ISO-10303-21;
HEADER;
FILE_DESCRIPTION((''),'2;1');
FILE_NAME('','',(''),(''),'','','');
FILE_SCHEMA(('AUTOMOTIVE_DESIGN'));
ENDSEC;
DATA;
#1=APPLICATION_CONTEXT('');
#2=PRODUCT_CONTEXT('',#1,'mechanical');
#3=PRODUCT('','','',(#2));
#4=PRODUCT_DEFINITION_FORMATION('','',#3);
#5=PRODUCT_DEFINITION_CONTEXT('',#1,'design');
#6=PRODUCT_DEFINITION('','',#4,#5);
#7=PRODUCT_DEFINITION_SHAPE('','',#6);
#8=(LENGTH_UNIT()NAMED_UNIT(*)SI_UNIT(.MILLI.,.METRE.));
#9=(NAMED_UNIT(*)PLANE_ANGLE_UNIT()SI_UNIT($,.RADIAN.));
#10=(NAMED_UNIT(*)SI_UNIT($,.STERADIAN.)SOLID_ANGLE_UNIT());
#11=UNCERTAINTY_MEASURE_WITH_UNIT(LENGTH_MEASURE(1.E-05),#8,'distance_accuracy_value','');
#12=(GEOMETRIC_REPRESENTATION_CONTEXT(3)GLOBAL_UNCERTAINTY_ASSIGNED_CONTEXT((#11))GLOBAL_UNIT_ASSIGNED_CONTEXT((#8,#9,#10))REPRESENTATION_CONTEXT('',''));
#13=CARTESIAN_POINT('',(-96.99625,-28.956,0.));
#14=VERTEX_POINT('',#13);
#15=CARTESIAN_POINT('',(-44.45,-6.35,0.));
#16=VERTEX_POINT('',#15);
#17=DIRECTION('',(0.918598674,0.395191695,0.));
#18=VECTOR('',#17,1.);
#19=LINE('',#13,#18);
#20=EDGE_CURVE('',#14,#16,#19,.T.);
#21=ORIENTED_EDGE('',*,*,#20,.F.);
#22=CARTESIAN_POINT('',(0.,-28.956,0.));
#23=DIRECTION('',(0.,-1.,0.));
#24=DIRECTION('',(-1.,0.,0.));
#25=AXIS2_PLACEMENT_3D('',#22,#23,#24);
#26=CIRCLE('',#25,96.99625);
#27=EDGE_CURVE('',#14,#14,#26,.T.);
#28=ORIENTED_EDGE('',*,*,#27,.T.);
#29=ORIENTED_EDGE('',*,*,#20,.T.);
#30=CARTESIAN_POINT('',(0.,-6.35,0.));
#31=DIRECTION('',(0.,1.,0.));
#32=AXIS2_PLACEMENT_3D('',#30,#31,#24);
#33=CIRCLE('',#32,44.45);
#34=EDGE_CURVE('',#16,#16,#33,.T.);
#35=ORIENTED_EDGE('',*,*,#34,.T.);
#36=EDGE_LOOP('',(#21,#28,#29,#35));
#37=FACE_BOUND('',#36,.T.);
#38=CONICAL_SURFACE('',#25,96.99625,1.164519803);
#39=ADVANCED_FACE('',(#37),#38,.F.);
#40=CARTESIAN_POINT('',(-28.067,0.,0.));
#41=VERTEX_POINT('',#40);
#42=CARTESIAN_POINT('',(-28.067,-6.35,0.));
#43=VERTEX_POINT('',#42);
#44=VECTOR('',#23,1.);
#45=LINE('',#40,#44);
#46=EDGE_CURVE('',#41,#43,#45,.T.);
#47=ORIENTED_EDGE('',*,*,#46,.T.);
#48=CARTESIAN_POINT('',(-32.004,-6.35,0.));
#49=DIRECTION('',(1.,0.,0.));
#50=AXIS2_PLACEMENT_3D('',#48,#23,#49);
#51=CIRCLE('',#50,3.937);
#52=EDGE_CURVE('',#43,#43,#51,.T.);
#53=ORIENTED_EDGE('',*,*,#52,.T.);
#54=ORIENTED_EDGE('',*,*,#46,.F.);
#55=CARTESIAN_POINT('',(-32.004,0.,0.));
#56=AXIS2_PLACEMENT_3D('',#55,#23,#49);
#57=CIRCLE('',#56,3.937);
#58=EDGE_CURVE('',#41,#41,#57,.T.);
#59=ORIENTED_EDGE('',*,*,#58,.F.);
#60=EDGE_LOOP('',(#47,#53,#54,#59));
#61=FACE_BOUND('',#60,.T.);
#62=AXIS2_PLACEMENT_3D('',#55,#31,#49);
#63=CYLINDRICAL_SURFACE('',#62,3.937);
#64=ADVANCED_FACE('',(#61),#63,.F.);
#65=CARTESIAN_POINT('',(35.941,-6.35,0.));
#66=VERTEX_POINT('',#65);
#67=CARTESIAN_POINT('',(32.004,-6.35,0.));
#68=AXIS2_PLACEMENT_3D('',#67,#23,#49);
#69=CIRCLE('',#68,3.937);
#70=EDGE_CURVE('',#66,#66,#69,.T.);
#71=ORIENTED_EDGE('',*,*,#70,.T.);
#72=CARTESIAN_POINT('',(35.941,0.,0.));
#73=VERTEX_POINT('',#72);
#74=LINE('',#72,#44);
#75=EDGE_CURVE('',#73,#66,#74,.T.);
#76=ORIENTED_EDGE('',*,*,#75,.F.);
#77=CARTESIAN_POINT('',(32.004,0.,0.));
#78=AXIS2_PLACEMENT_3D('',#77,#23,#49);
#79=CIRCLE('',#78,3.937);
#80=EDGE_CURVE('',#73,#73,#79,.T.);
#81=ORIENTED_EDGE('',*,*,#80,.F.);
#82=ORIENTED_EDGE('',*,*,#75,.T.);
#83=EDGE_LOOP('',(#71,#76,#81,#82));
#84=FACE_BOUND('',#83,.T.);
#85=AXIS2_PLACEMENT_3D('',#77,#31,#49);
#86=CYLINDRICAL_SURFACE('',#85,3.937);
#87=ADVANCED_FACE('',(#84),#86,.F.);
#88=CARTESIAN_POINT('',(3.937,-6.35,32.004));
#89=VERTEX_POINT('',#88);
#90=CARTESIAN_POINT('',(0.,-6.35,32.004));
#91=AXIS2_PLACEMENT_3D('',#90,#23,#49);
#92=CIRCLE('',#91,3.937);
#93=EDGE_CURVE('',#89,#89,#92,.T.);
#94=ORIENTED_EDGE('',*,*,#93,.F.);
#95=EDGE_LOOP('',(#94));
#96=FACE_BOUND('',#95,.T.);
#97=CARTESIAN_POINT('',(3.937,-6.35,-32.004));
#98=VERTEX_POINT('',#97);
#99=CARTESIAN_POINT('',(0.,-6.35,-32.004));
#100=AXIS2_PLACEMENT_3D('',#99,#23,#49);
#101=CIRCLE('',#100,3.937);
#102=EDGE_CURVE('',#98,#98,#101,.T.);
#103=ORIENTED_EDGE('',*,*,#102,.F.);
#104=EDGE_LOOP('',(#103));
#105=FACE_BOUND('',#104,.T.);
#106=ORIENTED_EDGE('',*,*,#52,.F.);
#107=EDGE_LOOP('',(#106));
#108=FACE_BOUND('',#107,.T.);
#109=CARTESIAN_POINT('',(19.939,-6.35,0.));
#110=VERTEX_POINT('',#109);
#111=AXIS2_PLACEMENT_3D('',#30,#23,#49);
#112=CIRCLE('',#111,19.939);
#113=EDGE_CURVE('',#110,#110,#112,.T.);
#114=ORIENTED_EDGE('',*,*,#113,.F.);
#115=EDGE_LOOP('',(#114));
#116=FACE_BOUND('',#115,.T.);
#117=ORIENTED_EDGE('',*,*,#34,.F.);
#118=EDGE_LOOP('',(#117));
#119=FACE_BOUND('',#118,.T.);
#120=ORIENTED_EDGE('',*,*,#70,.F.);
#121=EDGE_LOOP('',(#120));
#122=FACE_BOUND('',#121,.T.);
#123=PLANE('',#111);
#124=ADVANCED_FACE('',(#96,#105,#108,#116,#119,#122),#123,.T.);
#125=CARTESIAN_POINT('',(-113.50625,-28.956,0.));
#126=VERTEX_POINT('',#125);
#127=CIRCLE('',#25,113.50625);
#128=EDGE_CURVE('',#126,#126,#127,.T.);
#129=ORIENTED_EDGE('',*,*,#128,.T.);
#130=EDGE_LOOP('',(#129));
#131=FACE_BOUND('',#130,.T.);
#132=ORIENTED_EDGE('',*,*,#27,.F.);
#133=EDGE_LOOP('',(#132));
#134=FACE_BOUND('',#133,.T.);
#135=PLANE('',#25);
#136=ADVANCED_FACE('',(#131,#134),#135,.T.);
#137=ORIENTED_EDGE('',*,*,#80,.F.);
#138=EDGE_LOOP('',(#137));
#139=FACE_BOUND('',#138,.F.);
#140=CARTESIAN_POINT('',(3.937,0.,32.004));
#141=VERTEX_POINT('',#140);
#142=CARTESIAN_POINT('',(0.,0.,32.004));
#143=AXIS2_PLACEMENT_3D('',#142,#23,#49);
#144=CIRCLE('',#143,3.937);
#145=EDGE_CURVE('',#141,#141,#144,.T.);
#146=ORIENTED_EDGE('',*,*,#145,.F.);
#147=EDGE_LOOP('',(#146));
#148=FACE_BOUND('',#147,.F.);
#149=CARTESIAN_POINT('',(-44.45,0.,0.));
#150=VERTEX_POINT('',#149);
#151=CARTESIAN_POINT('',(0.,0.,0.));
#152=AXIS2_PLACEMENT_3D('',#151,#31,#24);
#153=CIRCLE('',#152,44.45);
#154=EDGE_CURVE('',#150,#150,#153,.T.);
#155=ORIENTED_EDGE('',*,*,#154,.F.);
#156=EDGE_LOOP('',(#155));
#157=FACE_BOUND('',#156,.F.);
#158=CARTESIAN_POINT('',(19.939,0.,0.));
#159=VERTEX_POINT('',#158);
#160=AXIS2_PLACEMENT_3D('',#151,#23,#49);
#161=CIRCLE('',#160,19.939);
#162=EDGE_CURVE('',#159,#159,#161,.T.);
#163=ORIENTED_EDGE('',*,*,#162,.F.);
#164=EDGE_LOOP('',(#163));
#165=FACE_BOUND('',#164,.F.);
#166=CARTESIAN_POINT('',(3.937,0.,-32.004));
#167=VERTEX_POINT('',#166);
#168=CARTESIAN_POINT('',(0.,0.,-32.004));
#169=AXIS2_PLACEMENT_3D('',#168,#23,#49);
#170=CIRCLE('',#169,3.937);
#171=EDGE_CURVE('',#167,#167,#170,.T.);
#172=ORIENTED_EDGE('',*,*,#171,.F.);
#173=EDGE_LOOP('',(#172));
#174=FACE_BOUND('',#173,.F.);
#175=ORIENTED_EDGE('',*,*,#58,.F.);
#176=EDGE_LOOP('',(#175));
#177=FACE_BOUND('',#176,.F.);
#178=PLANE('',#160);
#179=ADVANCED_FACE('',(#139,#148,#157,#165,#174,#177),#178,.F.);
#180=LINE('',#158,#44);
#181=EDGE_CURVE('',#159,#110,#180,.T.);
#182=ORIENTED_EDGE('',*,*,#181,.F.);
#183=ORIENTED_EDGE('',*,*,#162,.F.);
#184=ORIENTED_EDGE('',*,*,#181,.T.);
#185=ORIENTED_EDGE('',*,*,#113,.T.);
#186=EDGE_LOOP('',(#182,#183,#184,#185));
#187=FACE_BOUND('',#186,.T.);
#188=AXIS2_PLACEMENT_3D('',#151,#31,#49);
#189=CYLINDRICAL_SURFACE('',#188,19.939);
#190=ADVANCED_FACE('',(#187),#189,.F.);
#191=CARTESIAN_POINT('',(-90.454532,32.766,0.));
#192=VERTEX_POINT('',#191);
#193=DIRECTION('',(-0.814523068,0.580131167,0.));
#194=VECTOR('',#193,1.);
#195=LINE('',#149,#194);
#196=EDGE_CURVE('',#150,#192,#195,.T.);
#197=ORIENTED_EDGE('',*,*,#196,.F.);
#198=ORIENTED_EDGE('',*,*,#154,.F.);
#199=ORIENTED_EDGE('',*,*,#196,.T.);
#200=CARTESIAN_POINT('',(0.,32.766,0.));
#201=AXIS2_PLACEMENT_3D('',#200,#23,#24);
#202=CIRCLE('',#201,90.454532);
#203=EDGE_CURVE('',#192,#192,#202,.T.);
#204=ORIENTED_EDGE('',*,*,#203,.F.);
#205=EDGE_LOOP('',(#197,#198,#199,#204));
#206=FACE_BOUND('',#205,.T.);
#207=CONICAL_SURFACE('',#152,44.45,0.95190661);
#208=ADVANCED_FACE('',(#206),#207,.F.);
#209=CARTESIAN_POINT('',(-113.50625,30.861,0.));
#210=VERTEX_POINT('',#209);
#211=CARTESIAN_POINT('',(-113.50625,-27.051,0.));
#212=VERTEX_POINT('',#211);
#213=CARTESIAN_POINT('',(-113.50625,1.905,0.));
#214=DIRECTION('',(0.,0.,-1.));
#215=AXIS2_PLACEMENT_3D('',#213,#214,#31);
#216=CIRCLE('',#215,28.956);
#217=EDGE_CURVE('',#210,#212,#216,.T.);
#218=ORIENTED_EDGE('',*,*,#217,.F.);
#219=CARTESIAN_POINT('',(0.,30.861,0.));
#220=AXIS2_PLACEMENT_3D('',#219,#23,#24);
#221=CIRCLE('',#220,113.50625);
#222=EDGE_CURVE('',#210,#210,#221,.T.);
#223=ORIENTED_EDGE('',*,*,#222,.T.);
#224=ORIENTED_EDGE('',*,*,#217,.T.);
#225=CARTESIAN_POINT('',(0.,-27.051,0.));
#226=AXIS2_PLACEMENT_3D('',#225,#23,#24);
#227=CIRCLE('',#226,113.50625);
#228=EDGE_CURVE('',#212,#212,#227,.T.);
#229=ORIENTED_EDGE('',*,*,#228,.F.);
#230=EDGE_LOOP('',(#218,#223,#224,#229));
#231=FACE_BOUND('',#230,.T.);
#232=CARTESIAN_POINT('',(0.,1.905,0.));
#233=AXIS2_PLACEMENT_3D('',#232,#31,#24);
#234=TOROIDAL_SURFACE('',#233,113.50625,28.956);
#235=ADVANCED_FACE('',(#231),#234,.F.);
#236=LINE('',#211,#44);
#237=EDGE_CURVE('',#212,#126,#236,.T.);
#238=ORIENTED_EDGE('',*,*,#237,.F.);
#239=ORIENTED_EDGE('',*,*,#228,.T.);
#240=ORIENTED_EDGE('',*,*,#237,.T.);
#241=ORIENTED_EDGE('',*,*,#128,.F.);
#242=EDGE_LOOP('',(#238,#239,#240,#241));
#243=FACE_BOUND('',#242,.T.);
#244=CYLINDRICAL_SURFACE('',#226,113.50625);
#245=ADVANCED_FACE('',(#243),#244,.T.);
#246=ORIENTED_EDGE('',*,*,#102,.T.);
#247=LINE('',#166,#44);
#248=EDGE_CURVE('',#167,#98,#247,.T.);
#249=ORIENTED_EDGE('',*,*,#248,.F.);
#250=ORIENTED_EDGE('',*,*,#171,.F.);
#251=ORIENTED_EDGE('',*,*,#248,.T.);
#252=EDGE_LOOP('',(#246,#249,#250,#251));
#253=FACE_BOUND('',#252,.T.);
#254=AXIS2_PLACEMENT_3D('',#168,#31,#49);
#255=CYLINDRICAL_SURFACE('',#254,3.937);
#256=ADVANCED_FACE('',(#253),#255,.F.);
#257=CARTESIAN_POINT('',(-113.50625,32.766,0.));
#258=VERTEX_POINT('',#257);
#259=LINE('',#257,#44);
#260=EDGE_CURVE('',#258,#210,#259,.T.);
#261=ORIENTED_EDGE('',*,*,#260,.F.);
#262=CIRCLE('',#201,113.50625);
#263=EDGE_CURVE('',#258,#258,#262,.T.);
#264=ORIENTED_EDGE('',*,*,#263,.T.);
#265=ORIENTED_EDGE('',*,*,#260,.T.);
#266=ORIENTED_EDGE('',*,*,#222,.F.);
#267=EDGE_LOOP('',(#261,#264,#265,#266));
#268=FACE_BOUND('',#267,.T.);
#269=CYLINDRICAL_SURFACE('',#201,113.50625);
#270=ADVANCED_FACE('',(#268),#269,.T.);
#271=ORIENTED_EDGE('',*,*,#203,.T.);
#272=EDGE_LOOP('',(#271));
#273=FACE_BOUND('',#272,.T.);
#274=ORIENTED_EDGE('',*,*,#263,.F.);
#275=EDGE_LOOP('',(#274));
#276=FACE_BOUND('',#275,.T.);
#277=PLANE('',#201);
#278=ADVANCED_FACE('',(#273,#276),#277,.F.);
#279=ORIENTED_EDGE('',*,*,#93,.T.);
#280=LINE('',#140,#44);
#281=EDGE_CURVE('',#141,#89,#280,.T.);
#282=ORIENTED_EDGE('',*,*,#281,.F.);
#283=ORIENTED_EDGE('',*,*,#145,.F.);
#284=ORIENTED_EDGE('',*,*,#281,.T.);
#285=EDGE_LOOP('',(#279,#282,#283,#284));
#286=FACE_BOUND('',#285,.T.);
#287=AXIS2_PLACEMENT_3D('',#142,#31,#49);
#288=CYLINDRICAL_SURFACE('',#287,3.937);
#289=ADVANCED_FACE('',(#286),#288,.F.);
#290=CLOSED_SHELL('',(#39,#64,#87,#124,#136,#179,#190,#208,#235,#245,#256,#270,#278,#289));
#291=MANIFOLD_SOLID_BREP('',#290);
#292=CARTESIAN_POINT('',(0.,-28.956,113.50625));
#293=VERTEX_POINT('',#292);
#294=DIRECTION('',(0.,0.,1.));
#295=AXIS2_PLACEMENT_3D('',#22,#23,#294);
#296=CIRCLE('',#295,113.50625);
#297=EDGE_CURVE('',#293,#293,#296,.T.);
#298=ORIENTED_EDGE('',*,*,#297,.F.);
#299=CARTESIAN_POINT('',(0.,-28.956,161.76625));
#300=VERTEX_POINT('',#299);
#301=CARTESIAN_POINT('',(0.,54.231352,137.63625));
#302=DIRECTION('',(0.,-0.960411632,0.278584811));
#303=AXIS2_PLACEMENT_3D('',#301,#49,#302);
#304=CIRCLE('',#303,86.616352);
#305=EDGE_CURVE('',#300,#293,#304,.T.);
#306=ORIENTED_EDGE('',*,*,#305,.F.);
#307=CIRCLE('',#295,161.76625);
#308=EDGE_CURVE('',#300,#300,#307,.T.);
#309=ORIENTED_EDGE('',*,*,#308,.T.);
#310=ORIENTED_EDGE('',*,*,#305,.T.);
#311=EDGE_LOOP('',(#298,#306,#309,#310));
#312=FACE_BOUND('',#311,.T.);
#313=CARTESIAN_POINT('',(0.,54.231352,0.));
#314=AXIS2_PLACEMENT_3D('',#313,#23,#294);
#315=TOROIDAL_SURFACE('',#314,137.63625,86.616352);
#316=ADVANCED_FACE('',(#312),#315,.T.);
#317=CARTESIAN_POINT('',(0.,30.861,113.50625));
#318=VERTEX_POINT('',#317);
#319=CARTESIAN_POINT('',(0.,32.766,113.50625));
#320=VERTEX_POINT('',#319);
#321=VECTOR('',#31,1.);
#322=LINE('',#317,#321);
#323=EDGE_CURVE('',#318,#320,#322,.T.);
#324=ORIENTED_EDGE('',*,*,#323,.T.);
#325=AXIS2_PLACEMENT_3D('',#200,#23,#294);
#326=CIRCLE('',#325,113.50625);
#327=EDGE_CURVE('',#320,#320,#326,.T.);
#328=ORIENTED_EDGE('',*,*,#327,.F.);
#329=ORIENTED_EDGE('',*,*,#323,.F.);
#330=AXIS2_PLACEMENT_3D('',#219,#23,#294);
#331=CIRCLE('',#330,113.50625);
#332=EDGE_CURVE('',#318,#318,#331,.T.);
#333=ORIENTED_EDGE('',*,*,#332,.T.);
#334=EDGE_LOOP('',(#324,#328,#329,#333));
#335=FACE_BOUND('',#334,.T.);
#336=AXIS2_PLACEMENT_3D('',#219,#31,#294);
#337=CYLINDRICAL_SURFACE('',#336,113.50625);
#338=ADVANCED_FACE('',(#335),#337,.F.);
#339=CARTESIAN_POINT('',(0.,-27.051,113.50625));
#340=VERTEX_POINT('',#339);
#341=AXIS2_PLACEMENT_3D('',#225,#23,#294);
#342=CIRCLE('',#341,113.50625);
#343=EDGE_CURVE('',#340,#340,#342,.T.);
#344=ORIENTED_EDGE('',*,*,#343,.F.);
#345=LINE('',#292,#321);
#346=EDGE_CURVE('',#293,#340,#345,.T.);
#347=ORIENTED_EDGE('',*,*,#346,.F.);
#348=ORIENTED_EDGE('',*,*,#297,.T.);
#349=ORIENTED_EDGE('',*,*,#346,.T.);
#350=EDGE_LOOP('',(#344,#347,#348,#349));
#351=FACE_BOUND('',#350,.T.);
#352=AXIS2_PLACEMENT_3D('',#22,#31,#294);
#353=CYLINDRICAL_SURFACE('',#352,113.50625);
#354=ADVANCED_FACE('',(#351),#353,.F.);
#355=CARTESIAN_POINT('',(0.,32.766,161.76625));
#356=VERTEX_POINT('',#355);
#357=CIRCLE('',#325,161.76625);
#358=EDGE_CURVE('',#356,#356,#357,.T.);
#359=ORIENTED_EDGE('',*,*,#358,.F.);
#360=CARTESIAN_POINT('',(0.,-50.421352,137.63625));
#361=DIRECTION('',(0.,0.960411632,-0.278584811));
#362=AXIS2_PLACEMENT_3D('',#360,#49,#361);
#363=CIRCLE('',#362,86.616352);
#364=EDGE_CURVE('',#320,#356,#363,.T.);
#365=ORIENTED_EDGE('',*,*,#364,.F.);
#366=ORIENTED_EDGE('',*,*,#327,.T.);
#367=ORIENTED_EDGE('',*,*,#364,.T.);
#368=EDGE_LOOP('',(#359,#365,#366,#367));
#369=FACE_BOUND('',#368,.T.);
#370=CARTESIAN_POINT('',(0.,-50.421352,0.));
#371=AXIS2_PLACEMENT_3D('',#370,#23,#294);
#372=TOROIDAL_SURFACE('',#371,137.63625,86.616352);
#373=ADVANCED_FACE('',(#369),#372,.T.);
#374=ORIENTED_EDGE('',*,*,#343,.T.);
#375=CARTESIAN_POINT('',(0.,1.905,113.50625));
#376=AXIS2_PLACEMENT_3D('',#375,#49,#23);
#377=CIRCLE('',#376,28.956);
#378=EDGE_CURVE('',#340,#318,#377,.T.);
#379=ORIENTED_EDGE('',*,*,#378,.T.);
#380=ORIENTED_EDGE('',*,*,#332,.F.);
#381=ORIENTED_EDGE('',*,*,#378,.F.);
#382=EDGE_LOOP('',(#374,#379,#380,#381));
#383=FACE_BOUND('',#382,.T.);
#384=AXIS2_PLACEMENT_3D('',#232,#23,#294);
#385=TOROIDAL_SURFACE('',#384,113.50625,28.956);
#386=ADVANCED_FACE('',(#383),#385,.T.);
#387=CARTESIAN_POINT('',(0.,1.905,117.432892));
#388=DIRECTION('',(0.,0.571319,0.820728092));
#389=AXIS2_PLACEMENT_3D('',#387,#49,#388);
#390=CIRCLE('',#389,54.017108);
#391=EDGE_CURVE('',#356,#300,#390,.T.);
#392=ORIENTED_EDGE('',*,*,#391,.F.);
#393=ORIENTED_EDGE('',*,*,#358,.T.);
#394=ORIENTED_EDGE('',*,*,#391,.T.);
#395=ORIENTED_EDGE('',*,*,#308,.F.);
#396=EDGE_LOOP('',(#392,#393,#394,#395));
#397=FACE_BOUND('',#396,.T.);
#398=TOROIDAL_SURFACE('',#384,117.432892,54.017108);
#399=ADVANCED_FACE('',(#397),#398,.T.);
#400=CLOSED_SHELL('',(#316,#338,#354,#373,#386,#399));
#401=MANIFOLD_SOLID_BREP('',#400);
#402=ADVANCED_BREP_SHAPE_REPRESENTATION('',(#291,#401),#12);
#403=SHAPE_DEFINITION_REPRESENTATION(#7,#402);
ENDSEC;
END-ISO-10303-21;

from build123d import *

# Parameters (mm, degrees)
F0_R     = 44.45
F0_R_2   = 3.937
F0_R_3   = 19.939
F1_DEPTH = 6.35


with BuildPart() as f1:
    # F0 (on Front) → F1 (new body)
    with BuildSketch(Plane.XZ):
        Circle(F0_R)
        with Locations((0, -32.004)):
            Circle(F0_R_2, mode=Mode.SUBTRACT)
        with Locations((-32.004, 0)):
            Circle(F0_R_2, mode=Mode.SUBTRACT)
        Circle(F0_R_3, mode=Mode.SUBTRACT)
        with Locations((32.004, 0)):
            Circle(F0_R_2, mode=Mode.SUBTRACT)
        with Locations((0, 32.004)):
            Circle(F0_R_2, mode=Mode.SUBTRACT)
    extrude(amount=F1_DEPTH)

    # F2 (on Top) → F3 (revolve)
    with BuildSketch(Plane.XY):
        with BuildLine():
            Line((-96.99625, -28.956), (-44.45, -6.35))
            Line((-44.45, -6.35), (-44.45, 0))
            Line((-44.45, 0), (-90.454532, 32.766))
            Line((-90.454532, 32.766), (-113.50625, 32.766))
            Line((-113.50625, 32.766), (-113.50625, 30.861))
            ThreePointArc((-113.50625, 30.861), (-84.55025, 1.905), (-113.50625, -27.051))
            Line((-113.50625, -27.051), (-113.50625, -28.956))
            Line((-113.50625, -28.956), (-96.99625, -28.956))
        make_face()
    revolve(axis=Axis((0, -10.680187, 0), (0, -1, 0)))


with BuildPart() as f5:
    # F4 (on Right) → F5 (revolve)
    with BuildSketch(Plane.YZ):
        with BuildLine():
            Line((-28.956, 113.50625), (-27.051, 113.50625))
            ThreePointArc((-27.051, 113.50625), (1.905, 84.55025), (30.861, 113.50625))
            Line((30.861, 113.50625), (32.766, 113.50625))
            ThreePointArc((32.766, 113.50625), (36.195, 137.63625), (32.766, 161.76625))
            ThreePointArc((32.766, 161.76625), (1.905, 171.45), (-28.956, 161.76625))
            ThreePointArc((-28.956, 161.76625), (-32.385, 137.63625), (-28.956, 113.50625))
        make_face()
    revolve(axis=Axis((0, -19.020818, 0), (0, -1, 0)))


solid = Compound([f1.part, f5.part])
